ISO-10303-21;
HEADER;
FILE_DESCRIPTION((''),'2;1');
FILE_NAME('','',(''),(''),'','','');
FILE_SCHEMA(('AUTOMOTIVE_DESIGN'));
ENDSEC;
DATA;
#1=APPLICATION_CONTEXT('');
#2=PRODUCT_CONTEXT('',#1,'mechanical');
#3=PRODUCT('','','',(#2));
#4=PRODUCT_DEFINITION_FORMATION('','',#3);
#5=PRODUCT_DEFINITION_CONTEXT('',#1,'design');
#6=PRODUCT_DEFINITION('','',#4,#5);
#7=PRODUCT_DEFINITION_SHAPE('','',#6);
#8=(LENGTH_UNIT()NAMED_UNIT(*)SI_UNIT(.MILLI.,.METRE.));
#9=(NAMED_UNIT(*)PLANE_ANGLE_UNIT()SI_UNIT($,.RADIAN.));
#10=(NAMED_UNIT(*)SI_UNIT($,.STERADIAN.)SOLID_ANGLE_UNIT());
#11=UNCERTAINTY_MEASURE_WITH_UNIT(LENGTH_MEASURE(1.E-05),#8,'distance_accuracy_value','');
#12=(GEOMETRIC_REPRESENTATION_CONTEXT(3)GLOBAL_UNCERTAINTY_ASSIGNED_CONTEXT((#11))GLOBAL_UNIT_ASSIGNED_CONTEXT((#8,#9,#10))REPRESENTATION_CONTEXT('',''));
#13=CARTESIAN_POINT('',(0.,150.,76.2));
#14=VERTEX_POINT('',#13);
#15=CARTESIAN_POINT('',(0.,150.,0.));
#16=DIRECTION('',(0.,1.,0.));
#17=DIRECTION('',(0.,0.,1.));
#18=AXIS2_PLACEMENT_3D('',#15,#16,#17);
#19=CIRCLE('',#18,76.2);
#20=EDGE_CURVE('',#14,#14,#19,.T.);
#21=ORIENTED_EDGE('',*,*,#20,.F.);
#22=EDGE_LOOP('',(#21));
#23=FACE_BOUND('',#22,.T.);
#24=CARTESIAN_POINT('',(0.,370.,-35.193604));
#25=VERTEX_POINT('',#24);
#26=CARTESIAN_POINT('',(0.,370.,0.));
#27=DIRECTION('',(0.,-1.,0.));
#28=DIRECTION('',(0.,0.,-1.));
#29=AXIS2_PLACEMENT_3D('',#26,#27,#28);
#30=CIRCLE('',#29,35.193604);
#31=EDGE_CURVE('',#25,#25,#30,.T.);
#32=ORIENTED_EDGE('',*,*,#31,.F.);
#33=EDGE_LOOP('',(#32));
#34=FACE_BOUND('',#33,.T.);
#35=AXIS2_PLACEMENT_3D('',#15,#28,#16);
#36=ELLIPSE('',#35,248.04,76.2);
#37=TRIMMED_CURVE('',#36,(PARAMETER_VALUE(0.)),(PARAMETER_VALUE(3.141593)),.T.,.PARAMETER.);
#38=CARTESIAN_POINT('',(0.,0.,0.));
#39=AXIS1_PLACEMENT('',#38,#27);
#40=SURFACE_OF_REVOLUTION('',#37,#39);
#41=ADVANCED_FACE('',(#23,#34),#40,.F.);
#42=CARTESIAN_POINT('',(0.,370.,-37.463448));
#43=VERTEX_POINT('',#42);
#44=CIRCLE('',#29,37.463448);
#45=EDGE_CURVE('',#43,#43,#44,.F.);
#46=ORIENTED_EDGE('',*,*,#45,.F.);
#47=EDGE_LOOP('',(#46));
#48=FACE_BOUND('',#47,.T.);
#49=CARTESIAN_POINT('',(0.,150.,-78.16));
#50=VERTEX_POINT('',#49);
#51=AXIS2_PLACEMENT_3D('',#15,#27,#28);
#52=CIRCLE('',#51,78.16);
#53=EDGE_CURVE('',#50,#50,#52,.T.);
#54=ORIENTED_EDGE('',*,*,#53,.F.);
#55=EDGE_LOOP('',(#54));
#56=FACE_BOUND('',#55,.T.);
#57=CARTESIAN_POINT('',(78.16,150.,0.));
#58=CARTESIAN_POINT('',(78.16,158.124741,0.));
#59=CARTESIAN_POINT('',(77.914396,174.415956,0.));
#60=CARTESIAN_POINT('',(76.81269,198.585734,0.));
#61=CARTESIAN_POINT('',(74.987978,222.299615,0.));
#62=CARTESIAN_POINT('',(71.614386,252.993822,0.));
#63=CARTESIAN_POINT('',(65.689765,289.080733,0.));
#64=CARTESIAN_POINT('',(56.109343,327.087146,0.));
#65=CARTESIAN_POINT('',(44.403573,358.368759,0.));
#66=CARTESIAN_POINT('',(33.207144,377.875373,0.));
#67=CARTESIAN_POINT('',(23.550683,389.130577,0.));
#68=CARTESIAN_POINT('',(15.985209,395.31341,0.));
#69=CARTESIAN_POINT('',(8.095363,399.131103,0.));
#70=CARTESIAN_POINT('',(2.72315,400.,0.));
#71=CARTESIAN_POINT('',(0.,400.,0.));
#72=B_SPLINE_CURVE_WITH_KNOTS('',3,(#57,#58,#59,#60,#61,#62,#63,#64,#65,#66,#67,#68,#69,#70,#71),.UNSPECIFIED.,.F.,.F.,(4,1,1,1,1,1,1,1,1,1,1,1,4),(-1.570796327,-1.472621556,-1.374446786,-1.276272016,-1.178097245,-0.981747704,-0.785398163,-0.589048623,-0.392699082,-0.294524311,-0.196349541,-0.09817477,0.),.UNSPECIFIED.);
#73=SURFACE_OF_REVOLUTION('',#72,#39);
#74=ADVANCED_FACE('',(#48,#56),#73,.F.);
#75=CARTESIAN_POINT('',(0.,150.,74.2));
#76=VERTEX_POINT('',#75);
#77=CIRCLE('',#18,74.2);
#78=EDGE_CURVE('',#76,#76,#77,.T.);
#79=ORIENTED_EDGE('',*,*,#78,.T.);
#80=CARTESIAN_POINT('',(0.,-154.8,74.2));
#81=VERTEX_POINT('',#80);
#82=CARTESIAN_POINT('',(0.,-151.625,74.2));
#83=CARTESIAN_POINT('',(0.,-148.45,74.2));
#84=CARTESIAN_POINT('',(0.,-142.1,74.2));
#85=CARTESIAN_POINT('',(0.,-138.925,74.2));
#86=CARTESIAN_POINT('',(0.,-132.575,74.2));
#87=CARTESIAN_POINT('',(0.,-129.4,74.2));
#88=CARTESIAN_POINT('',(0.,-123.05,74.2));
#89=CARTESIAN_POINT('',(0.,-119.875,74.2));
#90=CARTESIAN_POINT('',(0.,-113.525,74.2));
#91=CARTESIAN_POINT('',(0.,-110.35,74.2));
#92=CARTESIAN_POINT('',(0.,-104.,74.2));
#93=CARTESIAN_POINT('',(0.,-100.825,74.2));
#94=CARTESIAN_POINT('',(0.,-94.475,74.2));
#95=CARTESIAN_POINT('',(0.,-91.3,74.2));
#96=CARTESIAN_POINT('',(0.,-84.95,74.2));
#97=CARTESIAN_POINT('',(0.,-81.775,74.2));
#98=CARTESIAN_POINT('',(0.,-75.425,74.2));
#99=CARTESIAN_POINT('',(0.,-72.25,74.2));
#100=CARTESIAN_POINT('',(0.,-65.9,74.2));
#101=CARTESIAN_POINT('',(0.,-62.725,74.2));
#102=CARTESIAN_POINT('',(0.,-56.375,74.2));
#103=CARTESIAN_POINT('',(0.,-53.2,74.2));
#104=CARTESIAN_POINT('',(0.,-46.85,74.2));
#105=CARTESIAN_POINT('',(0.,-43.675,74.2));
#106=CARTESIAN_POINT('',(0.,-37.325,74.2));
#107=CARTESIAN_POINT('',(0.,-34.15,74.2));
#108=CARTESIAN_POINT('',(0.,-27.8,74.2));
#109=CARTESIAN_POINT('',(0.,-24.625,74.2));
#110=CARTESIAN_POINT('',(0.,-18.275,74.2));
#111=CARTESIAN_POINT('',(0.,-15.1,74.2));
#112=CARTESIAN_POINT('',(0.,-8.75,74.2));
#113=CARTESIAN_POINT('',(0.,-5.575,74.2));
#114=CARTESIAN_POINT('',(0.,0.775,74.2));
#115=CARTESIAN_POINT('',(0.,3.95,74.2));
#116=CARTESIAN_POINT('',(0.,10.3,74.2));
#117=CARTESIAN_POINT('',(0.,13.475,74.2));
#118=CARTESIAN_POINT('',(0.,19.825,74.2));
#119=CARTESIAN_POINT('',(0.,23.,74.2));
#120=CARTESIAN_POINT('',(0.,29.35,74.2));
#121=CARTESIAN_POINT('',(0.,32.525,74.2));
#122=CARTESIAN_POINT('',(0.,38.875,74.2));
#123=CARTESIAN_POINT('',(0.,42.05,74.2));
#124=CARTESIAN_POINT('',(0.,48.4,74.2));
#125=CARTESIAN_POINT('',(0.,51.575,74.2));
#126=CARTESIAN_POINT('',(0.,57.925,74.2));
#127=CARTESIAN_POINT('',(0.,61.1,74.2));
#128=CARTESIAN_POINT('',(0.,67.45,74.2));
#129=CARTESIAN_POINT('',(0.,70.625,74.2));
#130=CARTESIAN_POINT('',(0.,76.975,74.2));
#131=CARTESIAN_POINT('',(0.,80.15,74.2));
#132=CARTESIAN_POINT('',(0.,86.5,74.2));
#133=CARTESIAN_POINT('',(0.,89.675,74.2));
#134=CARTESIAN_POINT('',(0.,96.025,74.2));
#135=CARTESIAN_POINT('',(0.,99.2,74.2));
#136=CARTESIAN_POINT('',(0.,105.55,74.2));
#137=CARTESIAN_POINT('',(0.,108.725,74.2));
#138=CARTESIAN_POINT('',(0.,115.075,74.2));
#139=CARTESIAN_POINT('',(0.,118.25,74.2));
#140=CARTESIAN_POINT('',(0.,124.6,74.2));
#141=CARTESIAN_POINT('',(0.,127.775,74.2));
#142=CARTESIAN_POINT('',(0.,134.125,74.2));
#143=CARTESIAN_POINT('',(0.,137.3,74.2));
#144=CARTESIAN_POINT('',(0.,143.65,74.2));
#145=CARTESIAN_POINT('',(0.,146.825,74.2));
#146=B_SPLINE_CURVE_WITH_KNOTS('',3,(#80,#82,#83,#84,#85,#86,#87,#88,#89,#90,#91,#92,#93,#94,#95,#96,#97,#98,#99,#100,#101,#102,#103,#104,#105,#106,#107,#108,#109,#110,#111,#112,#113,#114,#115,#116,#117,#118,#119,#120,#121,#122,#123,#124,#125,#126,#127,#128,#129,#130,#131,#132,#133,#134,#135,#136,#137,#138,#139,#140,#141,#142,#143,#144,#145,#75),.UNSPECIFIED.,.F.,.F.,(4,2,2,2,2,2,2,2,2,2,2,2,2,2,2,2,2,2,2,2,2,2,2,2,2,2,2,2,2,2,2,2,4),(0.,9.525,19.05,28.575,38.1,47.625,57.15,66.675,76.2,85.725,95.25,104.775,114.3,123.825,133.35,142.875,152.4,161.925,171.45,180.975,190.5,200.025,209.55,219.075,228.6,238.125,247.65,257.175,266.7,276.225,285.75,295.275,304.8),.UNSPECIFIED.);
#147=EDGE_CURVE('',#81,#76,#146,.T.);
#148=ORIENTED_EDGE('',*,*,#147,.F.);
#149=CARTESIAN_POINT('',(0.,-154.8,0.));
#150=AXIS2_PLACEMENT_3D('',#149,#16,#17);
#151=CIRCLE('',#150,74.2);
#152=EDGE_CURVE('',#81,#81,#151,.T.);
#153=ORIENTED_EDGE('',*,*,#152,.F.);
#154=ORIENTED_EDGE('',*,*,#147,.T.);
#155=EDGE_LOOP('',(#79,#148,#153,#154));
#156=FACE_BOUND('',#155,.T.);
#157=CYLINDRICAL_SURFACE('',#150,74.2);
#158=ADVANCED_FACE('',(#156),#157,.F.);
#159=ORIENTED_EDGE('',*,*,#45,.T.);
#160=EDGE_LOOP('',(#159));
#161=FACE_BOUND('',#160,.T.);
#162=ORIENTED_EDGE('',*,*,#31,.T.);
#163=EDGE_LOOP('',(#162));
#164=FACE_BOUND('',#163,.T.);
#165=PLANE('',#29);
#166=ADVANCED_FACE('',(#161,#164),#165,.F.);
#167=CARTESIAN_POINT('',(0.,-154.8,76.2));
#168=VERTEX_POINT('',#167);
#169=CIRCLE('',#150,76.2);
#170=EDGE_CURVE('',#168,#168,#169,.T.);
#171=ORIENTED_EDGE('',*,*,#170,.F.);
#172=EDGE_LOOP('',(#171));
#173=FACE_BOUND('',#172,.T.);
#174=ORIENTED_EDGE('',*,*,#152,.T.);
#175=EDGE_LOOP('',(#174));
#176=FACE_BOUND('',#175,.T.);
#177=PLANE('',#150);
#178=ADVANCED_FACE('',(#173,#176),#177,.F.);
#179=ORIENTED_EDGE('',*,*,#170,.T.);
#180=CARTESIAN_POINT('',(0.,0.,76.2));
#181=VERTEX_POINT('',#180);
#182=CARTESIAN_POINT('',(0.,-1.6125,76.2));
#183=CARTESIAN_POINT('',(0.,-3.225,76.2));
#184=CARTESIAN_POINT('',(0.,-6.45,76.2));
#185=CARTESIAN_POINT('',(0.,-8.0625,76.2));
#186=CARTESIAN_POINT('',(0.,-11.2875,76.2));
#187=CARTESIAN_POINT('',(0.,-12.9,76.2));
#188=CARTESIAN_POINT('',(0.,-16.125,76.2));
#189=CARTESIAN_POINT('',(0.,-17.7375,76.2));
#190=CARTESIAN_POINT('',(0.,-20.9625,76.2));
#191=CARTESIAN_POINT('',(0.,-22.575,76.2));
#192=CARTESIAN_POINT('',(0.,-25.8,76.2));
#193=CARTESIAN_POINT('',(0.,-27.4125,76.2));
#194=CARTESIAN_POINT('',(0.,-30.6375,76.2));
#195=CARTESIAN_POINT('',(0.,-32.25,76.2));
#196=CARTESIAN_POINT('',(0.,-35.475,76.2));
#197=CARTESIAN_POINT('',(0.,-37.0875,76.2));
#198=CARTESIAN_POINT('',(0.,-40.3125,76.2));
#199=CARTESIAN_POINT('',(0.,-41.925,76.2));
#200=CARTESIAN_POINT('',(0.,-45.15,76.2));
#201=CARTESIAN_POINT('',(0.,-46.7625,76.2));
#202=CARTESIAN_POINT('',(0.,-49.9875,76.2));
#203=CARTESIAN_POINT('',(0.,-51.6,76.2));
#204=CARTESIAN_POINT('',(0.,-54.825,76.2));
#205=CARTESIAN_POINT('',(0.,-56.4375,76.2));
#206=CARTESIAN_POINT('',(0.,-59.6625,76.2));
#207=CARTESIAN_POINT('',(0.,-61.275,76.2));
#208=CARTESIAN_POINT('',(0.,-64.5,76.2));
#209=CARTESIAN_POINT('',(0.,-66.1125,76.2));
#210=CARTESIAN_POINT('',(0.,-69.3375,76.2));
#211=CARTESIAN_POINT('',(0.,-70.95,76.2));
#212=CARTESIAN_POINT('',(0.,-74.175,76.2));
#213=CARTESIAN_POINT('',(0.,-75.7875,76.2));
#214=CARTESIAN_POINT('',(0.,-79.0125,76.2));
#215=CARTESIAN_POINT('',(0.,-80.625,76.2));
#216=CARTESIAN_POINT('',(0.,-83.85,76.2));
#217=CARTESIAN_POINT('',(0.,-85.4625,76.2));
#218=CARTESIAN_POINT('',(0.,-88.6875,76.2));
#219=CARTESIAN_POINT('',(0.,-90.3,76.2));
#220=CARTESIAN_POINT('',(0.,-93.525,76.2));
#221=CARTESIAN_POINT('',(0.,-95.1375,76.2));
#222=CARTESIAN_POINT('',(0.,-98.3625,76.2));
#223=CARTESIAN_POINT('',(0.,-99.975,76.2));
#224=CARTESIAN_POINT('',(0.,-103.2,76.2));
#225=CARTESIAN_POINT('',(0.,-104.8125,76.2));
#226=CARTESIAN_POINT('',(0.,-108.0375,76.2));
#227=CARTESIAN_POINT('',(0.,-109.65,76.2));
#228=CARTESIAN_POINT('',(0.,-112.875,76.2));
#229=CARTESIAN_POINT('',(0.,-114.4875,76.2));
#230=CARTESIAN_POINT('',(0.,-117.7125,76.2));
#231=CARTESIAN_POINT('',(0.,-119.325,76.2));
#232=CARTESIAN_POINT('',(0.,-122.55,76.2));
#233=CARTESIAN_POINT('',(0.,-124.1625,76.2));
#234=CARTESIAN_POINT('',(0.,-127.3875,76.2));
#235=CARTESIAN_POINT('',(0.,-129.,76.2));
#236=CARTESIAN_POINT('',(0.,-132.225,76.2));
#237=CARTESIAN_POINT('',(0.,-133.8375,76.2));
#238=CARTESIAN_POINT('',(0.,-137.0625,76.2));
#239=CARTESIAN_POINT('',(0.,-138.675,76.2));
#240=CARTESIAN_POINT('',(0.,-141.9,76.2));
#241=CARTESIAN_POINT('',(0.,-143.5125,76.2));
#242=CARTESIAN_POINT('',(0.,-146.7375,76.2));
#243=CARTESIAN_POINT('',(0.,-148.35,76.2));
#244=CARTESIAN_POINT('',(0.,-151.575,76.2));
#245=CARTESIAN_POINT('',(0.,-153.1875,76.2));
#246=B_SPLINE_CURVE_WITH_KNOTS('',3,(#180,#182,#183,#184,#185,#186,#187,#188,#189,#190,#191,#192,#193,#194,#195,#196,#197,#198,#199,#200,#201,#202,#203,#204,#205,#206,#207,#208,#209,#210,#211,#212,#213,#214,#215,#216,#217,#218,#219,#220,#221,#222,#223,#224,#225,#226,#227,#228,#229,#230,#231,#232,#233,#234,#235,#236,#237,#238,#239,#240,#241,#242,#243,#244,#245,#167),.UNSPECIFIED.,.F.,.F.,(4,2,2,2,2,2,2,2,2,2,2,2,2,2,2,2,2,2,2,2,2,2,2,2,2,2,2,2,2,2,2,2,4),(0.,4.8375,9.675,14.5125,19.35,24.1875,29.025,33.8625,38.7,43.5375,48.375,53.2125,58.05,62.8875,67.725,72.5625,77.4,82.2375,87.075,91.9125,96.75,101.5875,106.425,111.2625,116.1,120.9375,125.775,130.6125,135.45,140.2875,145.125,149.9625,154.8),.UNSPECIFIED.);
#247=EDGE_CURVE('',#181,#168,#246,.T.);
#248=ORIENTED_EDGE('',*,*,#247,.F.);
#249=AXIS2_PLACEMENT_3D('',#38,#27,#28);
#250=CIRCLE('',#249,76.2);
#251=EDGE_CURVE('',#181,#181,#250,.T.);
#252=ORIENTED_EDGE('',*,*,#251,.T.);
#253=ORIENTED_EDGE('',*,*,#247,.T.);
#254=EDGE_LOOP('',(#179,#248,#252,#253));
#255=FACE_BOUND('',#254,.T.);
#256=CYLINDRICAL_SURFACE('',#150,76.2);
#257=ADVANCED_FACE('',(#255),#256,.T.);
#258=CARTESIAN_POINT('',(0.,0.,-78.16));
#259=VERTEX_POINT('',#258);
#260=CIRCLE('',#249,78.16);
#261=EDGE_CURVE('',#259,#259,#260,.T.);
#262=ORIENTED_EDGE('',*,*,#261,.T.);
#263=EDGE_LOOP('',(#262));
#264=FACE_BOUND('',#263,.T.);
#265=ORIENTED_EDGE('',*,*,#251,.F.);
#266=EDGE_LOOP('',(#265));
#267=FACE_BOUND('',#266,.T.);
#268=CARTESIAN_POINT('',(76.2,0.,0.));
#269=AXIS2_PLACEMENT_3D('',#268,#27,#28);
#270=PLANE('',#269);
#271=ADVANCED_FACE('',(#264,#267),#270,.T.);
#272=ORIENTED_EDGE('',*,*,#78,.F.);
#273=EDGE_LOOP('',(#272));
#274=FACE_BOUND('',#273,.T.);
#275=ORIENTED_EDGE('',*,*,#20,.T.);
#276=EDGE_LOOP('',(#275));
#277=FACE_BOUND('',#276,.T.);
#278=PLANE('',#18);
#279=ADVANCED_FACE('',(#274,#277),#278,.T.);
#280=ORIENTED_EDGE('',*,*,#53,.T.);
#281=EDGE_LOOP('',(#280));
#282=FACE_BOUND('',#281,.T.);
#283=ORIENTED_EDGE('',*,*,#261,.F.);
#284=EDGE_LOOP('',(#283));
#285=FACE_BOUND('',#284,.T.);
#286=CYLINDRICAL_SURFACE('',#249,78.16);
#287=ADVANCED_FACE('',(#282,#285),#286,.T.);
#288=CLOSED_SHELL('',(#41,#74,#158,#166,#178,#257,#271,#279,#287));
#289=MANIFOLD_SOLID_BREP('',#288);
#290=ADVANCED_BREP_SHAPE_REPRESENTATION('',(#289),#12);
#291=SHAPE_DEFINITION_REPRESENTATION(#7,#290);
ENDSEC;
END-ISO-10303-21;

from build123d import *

# Parameters (mm, degrees)
BOSS_EXTRUDE1_START = -304.8
SKETCH2_R           = 76.2
SKETCH2_R_2         = 74.2
BOSS_EXTRUDE1_DEPTH = 304.8
SKETCH3_R           = 102.13398709
CUT_EXTRUDE1_DEPTH  = 30


with BuildPart() as part:
    # Sketch1 → Revolve1 (revolve)
    with BuildSketch(Plane.XY, mode=Mode.PRIVATE) as revolve1_sk:
        with BuildLine():
            Line((76.2, 150), (76.2, 0))
            Line((76.2, 0), (78.16, 0))
            Line((78.16, 0), (78.16, 150))
            add(Edge.make_bspline(
                [(0, 400), (2.723149784, 400), (8.095363208, 399.131102803), (15.985209364, 395.313409978), (23.550682528, 389.130576689), (33.207143777, 377.875372886), (44.403572502, 358.368758892), (56.109342912, 327.087146412), (65.689764926, 289.080732548), (71.61438571, 252.993821619), (74.98797824, 222.299614595), (76.812690029, 198.58573428), (77.914396428, 174.415956203), (78.16, 158.124741441), (78.16, 150)],
                knots=[-1.570796327, -1.570796327, -1.570796327, -1.570796327, -1.472621556, -1.374446786, -1.276272016, -1.178097245, -0.981747704, -0.785398163, -0.589048623, -0.392699082, -0.294524311, -0.196349541, -0.09817477, 0, 0, 0, 0], degree=3))
            Line((0, 400), (0, 398.04))
            add(Edge.make_bspline(
                [(76.2, 150), (76.2, 398.04), (0, 398.04)],
                knots=[4.71238898, 4.71238898, 4.71238898, 6.283185307, 6.283185307, 6.283185307], degree=2, weights=[1, 0.707106781, 1]))
        make_face()
    revolve(revolve1_sk.sketch.rotate(Axis((0, 0, 0), (0, 1, 0)), 90), axis=Axis((0, 0, 0), (0, 1, 0)))

    # Sketch2 → Boss-Extrude1 (add)
    with BuildSketch(Plane(origin=(0, 150, 0), x_dir=(1, 0, 0), z_dir=(0, 1, 0)).offset(BOSS_EXTRUDE1_START)):
        with Locations(Location((0, 0, 0), (0, 0, 270))):
            Circle(SKETCH2_R)
        with Locations(Location((0, 0, 0), (0, 0, 270))):
            Circle(SKETCH2_R_2, mode=Mode.SUBTRACT)
    extrude(amount=BOSS_EXTRUDE1_DEPTH)

    # Sketch3 → Cut-Extrude1 (cut)
    with BuildSketch(Plane(origin=(0, 400, 0), x_dir=(-1, 0, 0), z_dir=(0, -1, 0))):
        Circle(SKETCH3_R)
    extrude(amount=CUT_EXTRUDE1_DEPTH, mode=Mode.SUBTRACT)


solid = part.part
